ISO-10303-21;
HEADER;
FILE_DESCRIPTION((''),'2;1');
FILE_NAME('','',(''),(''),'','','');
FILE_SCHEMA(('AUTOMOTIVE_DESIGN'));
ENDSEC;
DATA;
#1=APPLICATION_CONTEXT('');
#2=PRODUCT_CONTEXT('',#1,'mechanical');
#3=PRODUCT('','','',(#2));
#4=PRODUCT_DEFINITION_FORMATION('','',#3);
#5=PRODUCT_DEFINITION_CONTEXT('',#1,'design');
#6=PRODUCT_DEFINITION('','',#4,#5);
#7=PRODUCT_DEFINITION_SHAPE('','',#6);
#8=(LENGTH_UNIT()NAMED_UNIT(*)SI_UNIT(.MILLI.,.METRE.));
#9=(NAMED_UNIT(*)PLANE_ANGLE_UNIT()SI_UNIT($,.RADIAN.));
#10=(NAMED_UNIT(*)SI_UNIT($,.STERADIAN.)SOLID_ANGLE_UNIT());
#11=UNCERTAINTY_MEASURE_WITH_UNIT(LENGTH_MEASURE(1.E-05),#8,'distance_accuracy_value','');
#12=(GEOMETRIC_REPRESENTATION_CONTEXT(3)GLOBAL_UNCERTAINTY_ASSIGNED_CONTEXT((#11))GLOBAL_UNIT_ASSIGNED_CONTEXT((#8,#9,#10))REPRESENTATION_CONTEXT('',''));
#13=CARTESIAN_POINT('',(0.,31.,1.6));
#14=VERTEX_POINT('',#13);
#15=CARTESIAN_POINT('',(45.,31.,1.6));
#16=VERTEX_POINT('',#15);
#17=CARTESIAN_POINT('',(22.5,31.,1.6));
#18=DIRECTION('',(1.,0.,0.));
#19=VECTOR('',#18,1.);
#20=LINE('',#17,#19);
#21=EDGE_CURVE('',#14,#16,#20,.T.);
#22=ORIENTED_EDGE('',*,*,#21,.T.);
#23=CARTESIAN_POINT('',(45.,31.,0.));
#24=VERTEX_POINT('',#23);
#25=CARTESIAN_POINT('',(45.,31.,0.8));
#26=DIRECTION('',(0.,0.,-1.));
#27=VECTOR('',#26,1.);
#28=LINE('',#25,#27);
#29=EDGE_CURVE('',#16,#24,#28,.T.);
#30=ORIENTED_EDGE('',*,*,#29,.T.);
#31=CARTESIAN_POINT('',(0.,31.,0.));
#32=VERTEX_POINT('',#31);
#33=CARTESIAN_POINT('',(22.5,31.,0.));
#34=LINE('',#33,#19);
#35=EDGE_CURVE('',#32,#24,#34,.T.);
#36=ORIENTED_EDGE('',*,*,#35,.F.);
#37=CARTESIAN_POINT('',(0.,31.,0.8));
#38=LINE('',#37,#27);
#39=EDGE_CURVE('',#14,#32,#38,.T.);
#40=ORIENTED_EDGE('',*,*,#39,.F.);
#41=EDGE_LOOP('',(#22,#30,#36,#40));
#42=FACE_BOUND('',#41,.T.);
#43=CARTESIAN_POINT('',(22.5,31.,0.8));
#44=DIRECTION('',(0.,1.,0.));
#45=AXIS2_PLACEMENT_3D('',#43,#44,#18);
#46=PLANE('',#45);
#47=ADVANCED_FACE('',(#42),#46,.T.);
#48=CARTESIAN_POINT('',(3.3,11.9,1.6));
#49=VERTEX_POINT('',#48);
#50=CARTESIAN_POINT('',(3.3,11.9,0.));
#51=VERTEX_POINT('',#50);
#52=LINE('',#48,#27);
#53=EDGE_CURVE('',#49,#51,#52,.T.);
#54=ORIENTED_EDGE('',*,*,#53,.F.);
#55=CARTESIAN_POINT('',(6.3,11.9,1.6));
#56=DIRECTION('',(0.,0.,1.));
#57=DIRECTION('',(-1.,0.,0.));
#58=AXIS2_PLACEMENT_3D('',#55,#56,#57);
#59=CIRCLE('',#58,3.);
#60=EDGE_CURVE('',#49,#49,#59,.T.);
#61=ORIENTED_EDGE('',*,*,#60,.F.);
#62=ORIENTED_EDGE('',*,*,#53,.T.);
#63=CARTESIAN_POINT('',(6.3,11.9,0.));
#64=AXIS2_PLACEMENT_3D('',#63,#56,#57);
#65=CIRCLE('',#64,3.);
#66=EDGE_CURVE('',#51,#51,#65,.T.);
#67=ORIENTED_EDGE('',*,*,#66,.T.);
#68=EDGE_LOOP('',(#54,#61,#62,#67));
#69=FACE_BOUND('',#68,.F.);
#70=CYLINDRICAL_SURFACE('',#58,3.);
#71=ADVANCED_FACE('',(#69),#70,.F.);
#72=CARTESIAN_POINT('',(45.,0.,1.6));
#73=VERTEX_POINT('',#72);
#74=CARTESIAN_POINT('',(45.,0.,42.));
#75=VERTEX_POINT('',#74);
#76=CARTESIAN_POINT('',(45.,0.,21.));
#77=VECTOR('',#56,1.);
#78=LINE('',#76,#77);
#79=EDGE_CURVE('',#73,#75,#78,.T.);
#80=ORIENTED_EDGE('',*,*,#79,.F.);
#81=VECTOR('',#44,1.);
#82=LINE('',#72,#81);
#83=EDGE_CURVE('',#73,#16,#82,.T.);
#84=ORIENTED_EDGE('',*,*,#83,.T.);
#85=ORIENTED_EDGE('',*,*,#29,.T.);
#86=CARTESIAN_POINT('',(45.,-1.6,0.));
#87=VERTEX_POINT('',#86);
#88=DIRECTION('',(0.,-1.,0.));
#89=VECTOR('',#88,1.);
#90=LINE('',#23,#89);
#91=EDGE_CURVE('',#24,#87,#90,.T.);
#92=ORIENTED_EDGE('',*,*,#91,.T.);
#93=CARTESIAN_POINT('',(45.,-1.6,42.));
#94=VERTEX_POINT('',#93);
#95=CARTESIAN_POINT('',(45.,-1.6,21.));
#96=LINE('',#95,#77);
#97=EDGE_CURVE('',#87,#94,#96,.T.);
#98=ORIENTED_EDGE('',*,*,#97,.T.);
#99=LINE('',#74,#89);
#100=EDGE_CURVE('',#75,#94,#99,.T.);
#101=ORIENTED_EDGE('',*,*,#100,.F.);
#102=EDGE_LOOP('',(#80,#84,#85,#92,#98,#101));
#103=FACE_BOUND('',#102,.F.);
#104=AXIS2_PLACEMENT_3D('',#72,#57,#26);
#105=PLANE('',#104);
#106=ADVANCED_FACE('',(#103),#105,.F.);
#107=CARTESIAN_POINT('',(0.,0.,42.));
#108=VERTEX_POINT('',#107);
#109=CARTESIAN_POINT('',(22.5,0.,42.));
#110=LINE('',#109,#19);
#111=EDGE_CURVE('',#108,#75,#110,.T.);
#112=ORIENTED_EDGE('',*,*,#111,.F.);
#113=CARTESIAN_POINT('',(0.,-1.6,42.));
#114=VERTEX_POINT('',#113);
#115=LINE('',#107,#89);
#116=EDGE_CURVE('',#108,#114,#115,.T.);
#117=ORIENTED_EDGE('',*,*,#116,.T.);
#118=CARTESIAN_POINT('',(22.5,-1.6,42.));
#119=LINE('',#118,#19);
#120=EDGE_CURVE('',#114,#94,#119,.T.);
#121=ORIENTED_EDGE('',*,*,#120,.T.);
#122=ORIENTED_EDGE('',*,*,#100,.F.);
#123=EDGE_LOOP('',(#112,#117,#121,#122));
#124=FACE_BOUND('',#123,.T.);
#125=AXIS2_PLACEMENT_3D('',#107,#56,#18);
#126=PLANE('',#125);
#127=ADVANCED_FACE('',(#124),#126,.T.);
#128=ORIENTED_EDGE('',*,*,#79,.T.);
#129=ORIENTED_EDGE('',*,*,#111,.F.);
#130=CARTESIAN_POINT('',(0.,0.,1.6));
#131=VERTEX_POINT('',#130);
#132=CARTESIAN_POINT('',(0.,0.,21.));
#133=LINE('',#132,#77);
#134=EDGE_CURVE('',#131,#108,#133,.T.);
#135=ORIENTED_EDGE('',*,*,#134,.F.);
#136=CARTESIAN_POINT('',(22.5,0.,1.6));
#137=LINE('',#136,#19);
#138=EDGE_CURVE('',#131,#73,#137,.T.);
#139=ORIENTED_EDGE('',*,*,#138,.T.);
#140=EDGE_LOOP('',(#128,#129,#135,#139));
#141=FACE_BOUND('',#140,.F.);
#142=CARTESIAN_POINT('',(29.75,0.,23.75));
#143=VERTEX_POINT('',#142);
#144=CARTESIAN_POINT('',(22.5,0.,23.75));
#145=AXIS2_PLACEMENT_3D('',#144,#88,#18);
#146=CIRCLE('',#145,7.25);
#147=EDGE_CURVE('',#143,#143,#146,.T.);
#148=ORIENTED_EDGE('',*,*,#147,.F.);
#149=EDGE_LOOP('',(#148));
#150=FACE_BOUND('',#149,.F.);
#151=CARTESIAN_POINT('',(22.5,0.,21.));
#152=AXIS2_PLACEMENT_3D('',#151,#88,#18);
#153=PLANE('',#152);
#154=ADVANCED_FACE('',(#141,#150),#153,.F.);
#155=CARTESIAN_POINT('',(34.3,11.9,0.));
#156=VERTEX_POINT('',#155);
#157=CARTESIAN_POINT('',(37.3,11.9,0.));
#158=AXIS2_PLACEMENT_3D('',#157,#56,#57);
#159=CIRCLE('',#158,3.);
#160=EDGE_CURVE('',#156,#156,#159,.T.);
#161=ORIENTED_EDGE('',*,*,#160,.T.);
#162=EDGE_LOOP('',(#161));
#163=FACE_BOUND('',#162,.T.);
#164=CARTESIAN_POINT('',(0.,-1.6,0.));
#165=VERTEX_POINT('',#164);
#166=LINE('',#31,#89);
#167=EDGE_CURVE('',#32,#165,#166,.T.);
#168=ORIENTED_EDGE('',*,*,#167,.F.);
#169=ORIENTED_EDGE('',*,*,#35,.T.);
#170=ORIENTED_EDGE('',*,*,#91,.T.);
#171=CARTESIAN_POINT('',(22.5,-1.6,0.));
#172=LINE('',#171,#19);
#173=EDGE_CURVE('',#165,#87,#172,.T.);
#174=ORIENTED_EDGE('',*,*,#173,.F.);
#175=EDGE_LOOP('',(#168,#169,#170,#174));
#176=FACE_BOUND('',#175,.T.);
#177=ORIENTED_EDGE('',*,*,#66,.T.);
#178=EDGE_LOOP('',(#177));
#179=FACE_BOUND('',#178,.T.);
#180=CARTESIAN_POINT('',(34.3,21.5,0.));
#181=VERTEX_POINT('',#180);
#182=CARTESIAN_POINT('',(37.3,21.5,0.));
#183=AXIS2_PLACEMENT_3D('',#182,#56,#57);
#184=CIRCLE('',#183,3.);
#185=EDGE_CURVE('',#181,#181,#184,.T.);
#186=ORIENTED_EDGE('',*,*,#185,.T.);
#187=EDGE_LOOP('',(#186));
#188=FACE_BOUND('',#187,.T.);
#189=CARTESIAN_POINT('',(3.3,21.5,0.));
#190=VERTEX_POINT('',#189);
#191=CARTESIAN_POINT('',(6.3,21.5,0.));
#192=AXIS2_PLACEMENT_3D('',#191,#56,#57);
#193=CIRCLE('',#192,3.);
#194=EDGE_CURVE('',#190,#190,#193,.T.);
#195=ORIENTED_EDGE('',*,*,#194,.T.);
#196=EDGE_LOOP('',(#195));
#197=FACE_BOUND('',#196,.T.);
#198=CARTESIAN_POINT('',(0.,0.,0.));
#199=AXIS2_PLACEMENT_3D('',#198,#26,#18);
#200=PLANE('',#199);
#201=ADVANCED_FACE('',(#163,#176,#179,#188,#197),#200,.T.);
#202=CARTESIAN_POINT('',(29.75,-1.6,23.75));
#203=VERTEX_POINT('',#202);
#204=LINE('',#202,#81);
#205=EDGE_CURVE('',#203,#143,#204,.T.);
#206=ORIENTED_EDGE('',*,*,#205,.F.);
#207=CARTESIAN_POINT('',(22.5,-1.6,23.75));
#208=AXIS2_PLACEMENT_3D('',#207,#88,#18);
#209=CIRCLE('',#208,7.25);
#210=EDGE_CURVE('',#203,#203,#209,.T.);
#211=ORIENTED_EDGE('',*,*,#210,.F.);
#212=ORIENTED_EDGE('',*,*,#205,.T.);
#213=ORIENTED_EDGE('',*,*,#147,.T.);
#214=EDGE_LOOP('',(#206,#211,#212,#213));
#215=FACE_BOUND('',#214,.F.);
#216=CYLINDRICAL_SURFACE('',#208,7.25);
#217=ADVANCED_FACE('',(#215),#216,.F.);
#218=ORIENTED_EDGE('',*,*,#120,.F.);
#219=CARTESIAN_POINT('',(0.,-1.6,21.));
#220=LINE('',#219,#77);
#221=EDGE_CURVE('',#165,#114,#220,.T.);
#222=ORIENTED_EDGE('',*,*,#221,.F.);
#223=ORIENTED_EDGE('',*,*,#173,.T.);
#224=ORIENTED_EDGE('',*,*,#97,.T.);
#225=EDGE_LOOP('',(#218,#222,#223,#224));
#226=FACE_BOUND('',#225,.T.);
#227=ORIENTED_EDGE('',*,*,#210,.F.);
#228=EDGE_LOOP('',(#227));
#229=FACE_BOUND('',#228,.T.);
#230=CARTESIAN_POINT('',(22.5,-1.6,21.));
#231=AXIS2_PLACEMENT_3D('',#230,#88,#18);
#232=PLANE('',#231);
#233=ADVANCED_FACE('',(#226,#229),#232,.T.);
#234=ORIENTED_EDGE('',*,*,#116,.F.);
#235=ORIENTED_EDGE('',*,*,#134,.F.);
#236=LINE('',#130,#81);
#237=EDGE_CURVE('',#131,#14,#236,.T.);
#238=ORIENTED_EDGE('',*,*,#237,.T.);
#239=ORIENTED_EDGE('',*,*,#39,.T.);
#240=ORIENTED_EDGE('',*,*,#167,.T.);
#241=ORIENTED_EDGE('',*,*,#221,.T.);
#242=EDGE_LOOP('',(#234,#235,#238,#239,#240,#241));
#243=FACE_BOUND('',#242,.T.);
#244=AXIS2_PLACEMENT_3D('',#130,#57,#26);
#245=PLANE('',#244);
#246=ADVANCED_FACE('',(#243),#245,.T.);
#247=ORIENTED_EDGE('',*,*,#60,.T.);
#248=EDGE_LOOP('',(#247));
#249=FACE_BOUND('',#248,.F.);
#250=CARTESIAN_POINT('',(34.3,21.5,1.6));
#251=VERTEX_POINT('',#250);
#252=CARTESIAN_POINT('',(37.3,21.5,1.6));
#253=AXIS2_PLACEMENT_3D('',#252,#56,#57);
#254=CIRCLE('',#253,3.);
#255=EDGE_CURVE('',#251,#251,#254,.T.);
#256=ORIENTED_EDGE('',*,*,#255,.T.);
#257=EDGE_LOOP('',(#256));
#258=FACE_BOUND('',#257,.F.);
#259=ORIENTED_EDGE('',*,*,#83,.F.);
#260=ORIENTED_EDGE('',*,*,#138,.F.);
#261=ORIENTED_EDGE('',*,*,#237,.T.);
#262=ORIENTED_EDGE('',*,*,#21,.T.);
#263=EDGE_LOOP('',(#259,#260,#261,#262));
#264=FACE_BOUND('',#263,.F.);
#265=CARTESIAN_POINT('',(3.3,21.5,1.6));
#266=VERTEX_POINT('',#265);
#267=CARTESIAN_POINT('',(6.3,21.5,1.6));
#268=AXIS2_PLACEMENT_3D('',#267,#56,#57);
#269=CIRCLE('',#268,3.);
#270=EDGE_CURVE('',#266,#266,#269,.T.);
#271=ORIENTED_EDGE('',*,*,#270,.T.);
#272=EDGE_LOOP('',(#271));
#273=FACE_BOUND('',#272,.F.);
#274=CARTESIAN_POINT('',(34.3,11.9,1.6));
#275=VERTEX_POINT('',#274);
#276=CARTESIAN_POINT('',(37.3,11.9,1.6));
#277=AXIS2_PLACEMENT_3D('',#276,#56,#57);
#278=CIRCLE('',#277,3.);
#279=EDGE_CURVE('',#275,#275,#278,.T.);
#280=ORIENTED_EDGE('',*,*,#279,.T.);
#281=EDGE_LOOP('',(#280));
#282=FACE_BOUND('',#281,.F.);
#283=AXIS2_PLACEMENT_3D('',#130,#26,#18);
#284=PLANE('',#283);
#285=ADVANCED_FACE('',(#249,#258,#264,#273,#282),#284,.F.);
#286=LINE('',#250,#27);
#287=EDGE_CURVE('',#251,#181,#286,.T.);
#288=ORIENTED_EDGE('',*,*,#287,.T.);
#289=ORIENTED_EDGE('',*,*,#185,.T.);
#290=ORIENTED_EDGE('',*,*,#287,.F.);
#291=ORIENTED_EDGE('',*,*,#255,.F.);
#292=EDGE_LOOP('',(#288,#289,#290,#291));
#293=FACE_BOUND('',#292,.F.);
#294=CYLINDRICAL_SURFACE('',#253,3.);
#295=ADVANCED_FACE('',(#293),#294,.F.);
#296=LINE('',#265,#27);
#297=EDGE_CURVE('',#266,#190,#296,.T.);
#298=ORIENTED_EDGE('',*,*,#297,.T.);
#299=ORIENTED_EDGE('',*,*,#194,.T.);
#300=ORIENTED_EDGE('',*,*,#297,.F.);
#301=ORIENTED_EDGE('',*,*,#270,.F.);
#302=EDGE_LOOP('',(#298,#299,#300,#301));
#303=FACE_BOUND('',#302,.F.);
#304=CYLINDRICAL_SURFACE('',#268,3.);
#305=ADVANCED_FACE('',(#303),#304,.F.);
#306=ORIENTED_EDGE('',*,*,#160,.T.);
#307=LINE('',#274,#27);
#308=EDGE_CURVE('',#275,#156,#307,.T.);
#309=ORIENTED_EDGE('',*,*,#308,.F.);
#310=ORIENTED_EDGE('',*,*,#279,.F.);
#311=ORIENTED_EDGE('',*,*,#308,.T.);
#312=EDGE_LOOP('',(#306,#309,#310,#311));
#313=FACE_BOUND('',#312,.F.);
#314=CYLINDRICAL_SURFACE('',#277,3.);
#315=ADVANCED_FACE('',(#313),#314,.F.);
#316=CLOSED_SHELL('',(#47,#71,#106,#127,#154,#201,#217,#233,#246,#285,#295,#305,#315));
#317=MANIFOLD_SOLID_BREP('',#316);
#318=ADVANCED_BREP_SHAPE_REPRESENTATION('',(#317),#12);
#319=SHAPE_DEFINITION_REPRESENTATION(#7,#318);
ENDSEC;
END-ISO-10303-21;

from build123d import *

# Parameters (mm, degrees)
SKETCH_W                        = 45
SKETCH_H                        = 42
PAD_DEPTH                       = 1.6
SKETCH001_W                     = 45
SKETCH001_H                     = 1.6
PAD001_DEPTH                    = 31
SKETCH002_R                     = 7.25
POCKET_DEPTH                    = 32.601
SKETCH003_R                     = 3
POCKET001_DEPTH                 = 140.910153
SKETCH003_LINEARPATTERN_2_R     = 3
POCKET001_LINEARPATTERN_2_DEPTH = 140.910153
LINEARPATTERN001_COUNT          = 2
LINEARPATTERN001_PITCH          = 31


with BuildPart() as part:
    # Sketch → Pad (new body)
    with BuildSketch(Plane.XZ):
        with Locations((22.5, 21)):
            Rectangle(SKETCH_W, SKETCH_H)
    extrude(amount=PAD_DEPTH)

    # Sketch001 (on Face5 of Pad) → Pad001 (join)
    with BuildSketch(Plane(origin=(0, 0, 0), x_dir=(1, 0, 0), z_dir=(0, 1, 0))):
        with Locations((22.5, -0.8)):
            Rectangle(SKETCH001_W, SKETCH001_H)
    extrude(amount=PAD001_DEPTH)

    # Sketch002 (on Face5 of Pad001) → Pocket (cut, through all)
    with BuildSketch(Plane.XZ.offset(1.6)):
        with Locations((22.5, 23.75)):
            Circle(SKETCH002_R)
    extrude(amount=-POCKET_DEPTH, mode=Mode.SUBTRACT)

    # Sketch003 (on Face12 of Pocket) → Pocket001 (cut, through all)
    with BuildSketch(Plane(origin=(0, 0, 1.6), x_dir=(-1, 0, 0), z_dir=(0, 0, 1))):
        with Locations((-6.3, -11.9)):
            Circle(SKETCH003_R)
    pocket001 = extrude(amount=-POCKET001_DEPTH, mode=Mode.SUBTRACT)

    # Sketch003 LinearPattern 2 → Pocket001 LinearPattern 2 (cut, through all)
    with BuildSketch(Plane(origin=(0, 9.6, 1.6), x_dir=(-1, 0, 0), z_dir=(0, 0, 1))):
        with Locations((-6.3, -11.9)):
            Circle(SKETCH003_LINEARPATTERN_2_R)
    pocket001_linearpattern_2 = extrude(amount=-POCKET001_LINEARPATTERN_2_DEPTH, mode=Mode.SUBTRACT)

    # LinearPattern001: Pocket001, Pocket001 LinearPattern 2 ×2
    with Locations(*[(i * LINEARPATTERN001_PITCH, 0, 0) for i in range(1, LINEARPATTERN001_COUNT)]):
        add(pocket001, mode=Mode.SUBTRACT)
        add(pocket001_linearpattern_2, mode=Mode.SUBTRACT)


solid = part.part
